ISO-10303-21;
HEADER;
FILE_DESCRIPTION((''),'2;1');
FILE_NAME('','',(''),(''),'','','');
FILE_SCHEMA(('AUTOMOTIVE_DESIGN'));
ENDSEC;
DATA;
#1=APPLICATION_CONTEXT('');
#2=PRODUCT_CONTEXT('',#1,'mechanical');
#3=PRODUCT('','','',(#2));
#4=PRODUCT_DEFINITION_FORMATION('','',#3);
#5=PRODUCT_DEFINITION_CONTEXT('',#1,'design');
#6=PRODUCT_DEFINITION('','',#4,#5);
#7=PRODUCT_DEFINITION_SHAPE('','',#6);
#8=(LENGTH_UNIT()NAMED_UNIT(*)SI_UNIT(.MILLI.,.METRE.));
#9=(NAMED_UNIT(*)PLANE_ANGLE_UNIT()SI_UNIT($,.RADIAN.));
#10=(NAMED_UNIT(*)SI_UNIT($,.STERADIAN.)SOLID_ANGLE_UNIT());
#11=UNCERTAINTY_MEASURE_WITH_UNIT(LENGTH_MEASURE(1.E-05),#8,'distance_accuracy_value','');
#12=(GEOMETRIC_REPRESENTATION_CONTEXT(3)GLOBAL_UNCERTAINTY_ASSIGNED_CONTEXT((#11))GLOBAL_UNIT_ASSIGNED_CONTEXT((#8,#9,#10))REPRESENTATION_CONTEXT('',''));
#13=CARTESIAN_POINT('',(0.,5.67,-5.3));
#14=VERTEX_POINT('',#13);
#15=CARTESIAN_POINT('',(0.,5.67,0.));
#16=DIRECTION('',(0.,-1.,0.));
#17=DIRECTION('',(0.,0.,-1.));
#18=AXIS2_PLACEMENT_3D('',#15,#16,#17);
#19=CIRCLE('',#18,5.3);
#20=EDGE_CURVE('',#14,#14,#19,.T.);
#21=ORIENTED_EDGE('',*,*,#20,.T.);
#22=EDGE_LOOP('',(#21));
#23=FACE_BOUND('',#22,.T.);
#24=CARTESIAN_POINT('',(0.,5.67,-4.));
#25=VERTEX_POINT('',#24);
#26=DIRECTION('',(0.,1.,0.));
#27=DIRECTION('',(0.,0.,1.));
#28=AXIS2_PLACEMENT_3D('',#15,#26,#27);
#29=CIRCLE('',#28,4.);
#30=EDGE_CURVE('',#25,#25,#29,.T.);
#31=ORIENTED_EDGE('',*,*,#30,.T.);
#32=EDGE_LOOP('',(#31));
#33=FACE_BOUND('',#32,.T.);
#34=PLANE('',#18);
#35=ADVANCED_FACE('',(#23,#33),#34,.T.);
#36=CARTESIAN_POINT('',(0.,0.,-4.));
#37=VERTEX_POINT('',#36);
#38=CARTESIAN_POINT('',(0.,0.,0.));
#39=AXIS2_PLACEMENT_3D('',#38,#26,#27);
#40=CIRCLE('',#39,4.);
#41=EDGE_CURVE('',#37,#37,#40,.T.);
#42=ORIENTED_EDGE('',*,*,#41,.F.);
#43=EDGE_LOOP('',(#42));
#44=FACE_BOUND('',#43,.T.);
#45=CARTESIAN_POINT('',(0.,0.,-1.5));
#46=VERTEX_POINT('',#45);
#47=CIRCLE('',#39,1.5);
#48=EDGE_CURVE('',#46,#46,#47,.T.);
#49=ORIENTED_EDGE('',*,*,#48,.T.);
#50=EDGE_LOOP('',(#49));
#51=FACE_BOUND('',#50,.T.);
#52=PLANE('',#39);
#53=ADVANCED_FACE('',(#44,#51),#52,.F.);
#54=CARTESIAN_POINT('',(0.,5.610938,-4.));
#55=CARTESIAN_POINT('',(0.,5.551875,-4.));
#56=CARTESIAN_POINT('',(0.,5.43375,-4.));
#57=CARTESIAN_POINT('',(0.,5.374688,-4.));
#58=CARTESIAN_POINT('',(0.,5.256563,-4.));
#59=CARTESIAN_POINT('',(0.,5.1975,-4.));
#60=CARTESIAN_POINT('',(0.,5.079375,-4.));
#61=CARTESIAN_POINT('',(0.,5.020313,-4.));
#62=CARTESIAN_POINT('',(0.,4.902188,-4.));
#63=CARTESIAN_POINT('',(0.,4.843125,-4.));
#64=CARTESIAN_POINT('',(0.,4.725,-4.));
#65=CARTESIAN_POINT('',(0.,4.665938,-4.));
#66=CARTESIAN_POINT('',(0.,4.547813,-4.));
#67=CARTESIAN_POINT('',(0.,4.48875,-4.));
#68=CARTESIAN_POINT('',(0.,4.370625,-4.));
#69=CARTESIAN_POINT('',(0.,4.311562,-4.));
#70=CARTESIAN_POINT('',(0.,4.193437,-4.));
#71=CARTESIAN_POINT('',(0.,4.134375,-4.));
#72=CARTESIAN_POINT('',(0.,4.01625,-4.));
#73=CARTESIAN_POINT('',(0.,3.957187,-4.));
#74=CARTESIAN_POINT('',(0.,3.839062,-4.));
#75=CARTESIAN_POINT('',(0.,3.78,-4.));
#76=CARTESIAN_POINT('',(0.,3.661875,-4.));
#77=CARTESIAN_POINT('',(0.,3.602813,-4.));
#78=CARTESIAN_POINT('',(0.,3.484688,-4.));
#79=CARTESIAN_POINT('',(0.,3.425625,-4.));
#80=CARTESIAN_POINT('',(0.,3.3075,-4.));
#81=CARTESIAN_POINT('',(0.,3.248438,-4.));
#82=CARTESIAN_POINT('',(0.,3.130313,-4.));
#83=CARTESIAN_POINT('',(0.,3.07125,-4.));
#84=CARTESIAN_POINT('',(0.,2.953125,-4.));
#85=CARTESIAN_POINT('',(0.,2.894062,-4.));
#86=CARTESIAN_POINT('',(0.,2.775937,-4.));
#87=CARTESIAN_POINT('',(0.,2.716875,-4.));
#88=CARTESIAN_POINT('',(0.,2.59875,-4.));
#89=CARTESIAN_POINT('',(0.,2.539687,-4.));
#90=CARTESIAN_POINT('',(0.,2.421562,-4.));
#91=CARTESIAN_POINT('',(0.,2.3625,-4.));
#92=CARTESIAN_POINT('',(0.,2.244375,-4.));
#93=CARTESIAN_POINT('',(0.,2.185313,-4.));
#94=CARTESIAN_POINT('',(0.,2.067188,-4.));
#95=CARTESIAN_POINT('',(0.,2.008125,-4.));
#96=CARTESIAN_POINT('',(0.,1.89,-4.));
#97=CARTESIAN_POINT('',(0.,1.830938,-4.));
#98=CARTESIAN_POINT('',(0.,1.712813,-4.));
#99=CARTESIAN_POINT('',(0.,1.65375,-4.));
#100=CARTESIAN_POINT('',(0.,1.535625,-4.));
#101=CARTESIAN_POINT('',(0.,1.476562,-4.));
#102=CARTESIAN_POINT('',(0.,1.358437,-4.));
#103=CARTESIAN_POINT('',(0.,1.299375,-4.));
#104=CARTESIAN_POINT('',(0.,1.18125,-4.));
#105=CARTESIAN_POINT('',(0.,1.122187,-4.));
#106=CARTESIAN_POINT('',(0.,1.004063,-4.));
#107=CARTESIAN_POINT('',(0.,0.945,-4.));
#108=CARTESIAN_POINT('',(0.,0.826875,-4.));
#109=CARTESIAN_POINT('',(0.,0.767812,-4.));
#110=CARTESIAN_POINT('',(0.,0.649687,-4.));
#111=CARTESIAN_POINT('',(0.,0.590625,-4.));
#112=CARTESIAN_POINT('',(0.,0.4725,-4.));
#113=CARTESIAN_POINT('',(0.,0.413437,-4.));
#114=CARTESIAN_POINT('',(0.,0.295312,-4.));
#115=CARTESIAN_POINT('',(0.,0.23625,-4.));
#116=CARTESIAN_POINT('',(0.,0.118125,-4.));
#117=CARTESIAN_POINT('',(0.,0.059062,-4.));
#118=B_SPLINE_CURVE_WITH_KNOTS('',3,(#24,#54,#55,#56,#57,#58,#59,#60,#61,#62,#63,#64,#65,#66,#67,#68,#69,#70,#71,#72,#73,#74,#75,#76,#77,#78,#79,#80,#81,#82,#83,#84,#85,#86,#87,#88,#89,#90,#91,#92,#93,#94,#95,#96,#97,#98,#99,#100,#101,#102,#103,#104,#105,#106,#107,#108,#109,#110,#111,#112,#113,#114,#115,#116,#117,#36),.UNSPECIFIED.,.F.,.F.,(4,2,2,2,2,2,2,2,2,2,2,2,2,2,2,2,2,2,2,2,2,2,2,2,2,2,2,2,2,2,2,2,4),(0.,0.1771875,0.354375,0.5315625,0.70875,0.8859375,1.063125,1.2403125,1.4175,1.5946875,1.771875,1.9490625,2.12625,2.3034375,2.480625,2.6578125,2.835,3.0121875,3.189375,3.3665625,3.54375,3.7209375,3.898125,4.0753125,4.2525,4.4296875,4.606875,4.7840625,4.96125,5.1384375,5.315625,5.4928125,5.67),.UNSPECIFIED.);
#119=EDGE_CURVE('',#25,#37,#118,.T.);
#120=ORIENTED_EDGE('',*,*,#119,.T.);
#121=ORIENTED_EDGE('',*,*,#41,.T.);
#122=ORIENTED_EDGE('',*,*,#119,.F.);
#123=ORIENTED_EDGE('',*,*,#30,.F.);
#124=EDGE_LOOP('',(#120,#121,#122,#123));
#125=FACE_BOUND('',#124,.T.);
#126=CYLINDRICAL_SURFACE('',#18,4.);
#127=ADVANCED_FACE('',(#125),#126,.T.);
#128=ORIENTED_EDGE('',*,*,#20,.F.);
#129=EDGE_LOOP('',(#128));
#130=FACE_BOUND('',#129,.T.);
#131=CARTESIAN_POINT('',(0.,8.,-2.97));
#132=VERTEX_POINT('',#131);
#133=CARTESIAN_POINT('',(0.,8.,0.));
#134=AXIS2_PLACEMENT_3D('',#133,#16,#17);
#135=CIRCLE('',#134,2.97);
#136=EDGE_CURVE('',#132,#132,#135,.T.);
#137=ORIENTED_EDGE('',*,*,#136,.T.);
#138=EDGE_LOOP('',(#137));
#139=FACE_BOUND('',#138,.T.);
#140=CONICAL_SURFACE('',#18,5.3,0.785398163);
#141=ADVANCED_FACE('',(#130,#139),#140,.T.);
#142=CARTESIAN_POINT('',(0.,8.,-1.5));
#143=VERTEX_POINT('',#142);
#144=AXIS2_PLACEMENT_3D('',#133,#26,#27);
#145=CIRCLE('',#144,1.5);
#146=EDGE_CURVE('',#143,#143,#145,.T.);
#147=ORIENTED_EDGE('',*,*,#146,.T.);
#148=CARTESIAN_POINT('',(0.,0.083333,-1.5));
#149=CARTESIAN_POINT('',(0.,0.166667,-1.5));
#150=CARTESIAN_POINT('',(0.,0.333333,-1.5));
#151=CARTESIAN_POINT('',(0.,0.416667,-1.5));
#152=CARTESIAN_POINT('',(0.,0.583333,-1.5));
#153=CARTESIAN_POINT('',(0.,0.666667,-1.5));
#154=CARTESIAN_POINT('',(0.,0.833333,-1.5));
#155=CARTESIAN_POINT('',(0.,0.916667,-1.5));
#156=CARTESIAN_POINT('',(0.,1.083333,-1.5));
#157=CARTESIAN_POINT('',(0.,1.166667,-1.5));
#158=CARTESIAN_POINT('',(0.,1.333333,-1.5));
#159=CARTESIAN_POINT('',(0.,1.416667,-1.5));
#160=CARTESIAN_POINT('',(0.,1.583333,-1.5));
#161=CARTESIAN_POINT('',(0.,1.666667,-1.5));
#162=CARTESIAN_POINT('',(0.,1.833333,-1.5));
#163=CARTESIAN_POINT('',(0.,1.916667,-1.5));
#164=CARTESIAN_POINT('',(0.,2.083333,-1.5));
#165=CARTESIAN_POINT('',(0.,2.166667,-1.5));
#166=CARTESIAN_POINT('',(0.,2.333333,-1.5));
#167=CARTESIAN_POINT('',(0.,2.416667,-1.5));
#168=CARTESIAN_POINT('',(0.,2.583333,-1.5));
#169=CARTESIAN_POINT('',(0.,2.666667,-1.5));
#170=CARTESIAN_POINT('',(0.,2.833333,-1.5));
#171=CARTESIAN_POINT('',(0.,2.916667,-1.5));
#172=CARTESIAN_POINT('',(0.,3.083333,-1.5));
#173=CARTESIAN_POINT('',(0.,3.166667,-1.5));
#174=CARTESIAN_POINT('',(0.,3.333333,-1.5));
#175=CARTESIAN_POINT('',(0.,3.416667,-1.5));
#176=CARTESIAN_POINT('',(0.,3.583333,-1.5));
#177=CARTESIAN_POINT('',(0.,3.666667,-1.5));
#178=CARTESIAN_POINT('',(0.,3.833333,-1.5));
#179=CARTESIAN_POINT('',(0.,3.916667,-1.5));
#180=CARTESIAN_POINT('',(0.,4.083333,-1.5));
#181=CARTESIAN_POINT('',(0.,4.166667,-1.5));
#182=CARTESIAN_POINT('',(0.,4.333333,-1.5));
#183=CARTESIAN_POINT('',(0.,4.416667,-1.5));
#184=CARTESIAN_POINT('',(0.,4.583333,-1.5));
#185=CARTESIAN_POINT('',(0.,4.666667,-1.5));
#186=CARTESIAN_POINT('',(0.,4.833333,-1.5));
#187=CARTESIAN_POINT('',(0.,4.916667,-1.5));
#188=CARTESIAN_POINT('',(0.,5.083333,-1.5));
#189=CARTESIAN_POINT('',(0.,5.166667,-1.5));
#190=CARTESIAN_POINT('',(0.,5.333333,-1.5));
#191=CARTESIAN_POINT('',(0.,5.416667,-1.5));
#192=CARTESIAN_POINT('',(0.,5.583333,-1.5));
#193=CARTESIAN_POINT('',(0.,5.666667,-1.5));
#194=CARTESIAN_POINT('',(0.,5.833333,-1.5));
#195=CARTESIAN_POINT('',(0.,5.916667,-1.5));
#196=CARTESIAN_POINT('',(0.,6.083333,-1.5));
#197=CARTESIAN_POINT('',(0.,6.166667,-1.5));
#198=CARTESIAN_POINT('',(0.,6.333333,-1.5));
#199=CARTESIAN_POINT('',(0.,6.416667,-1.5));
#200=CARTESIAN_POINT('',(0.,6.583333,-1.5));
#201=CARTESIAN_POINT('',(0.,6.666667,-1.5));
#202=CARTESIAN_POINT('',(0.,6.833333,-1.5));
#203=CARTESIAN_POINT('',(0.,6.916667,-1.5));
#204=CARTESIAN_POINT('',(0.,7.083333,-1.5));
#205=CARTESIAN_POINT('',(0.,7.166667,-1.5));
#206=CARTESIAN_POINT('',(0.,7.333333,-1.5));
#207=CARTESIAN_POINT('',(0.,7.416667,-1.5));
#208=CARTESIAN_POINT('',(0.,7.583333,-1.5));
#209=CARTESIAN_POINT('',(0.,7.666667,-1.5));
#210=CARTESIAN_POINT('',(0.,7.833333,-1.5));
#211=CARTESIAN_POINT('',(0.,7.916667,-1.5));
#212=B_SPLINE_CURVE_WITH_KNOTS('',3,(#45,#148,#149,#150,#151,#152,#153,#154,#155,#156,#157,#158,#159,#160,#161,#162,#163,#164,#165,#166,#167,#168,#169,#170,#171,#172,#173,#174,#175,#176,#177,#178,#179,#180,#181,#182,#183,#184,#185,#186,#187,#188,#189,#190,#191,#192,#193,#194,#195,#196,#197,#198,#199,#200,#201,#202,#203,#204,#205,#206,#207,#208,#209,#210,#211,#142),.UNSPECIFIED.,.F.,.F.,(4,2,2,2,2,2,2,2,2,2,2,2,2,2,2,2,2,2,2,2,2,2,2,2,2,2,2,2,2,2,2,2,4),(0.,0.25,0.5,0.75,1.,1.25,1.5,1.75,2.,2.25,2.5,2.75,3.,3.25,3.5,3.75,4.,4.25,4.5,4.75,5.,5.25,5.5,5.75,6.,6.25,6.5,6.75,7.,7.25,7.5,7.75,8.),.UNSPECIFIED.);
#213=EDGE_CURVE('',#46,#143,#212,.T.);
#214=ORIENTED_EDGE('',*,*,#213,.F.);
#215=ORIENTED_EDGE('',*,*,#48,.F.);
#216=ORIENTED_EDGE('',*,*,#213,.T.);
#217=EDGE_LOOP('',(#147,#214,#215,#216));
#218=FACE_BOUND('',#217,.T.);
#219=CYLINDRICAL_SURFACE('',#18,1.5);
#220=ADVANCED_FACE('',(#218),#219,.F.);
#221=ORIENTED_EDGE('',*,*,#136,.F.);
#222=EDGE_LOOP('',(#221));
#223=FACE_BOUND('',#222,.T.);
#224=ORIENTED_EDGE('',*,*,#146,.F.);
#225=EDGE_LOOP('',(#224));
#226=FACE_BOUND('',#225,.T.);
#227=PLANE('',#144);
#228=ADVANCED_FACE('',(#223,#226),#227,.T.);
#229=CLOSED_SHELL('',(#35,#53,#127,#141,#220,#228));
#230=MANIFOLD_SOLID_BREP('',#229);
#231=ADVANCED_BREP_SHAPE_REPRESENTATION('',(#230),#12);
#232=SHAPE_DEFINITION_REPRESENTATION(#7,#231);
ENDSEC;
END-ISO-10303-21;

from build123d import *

# Parameters (mm, degrees)
SKETCH_1_R          = 4
SKETCH_1_R_2        = 1.5
EXTRUDE_1_DEPTH     = 5.67
SKETCH_3_R          = 1.5
CUT_EXTRUDE_1_DEPTH = 11.96266391


with BuildPart() as part:
    # 草图1 → 凸台-拉伸1 (new body)
    with BuildSketch(Plane(origin=(0, 0, 0), x_dir=(1, 0, 0), z_dir=(0, 1, 0))):
        with Locations(Location((0, 0, 0), (0, 0, 90))):
            Circle(SKETCH_1_R)
        with Locations(Location((0, 0, 0), (0, 0, 90))):
            Circle(SKETCH_1_R_2, mode=Mode.SUBTRACT)
    extrude(amount=EXTRUDE_1_DEPTH)

    # 草图2 → 旋转1 (revolve)
    with BuildSketch(Plane.XY, mode=Mode.PRIVATE) as revolve_1_sk:
        Polygon((0, 5.67), (5.3, 5.67), (2.97, 8), (0, 8), align=None)
    revolve(revolve_1_sk.sketch.rotate(Axis((0, 5.67, 0), (0, 1, 0)), 90), axis=Axis((0, 5.67, 0), (0, 1, 0)))

    # 草图3 → 切除-拉伸1 (cut, through all)
    with BuildSketch(Plane(origin=(0, 8, 0), x_dir=(1, 0, 0), z_dir=(0, 1, 0))):
        with Locations(Location((0, 0, 0), (0, 0, 90))):
            Circle(SKETCH_3_R)
    extrude(amount=-CUT_EXTRUDE_1_DEPTH, mode=Mode.SUBTRACT)


solid = part.part
